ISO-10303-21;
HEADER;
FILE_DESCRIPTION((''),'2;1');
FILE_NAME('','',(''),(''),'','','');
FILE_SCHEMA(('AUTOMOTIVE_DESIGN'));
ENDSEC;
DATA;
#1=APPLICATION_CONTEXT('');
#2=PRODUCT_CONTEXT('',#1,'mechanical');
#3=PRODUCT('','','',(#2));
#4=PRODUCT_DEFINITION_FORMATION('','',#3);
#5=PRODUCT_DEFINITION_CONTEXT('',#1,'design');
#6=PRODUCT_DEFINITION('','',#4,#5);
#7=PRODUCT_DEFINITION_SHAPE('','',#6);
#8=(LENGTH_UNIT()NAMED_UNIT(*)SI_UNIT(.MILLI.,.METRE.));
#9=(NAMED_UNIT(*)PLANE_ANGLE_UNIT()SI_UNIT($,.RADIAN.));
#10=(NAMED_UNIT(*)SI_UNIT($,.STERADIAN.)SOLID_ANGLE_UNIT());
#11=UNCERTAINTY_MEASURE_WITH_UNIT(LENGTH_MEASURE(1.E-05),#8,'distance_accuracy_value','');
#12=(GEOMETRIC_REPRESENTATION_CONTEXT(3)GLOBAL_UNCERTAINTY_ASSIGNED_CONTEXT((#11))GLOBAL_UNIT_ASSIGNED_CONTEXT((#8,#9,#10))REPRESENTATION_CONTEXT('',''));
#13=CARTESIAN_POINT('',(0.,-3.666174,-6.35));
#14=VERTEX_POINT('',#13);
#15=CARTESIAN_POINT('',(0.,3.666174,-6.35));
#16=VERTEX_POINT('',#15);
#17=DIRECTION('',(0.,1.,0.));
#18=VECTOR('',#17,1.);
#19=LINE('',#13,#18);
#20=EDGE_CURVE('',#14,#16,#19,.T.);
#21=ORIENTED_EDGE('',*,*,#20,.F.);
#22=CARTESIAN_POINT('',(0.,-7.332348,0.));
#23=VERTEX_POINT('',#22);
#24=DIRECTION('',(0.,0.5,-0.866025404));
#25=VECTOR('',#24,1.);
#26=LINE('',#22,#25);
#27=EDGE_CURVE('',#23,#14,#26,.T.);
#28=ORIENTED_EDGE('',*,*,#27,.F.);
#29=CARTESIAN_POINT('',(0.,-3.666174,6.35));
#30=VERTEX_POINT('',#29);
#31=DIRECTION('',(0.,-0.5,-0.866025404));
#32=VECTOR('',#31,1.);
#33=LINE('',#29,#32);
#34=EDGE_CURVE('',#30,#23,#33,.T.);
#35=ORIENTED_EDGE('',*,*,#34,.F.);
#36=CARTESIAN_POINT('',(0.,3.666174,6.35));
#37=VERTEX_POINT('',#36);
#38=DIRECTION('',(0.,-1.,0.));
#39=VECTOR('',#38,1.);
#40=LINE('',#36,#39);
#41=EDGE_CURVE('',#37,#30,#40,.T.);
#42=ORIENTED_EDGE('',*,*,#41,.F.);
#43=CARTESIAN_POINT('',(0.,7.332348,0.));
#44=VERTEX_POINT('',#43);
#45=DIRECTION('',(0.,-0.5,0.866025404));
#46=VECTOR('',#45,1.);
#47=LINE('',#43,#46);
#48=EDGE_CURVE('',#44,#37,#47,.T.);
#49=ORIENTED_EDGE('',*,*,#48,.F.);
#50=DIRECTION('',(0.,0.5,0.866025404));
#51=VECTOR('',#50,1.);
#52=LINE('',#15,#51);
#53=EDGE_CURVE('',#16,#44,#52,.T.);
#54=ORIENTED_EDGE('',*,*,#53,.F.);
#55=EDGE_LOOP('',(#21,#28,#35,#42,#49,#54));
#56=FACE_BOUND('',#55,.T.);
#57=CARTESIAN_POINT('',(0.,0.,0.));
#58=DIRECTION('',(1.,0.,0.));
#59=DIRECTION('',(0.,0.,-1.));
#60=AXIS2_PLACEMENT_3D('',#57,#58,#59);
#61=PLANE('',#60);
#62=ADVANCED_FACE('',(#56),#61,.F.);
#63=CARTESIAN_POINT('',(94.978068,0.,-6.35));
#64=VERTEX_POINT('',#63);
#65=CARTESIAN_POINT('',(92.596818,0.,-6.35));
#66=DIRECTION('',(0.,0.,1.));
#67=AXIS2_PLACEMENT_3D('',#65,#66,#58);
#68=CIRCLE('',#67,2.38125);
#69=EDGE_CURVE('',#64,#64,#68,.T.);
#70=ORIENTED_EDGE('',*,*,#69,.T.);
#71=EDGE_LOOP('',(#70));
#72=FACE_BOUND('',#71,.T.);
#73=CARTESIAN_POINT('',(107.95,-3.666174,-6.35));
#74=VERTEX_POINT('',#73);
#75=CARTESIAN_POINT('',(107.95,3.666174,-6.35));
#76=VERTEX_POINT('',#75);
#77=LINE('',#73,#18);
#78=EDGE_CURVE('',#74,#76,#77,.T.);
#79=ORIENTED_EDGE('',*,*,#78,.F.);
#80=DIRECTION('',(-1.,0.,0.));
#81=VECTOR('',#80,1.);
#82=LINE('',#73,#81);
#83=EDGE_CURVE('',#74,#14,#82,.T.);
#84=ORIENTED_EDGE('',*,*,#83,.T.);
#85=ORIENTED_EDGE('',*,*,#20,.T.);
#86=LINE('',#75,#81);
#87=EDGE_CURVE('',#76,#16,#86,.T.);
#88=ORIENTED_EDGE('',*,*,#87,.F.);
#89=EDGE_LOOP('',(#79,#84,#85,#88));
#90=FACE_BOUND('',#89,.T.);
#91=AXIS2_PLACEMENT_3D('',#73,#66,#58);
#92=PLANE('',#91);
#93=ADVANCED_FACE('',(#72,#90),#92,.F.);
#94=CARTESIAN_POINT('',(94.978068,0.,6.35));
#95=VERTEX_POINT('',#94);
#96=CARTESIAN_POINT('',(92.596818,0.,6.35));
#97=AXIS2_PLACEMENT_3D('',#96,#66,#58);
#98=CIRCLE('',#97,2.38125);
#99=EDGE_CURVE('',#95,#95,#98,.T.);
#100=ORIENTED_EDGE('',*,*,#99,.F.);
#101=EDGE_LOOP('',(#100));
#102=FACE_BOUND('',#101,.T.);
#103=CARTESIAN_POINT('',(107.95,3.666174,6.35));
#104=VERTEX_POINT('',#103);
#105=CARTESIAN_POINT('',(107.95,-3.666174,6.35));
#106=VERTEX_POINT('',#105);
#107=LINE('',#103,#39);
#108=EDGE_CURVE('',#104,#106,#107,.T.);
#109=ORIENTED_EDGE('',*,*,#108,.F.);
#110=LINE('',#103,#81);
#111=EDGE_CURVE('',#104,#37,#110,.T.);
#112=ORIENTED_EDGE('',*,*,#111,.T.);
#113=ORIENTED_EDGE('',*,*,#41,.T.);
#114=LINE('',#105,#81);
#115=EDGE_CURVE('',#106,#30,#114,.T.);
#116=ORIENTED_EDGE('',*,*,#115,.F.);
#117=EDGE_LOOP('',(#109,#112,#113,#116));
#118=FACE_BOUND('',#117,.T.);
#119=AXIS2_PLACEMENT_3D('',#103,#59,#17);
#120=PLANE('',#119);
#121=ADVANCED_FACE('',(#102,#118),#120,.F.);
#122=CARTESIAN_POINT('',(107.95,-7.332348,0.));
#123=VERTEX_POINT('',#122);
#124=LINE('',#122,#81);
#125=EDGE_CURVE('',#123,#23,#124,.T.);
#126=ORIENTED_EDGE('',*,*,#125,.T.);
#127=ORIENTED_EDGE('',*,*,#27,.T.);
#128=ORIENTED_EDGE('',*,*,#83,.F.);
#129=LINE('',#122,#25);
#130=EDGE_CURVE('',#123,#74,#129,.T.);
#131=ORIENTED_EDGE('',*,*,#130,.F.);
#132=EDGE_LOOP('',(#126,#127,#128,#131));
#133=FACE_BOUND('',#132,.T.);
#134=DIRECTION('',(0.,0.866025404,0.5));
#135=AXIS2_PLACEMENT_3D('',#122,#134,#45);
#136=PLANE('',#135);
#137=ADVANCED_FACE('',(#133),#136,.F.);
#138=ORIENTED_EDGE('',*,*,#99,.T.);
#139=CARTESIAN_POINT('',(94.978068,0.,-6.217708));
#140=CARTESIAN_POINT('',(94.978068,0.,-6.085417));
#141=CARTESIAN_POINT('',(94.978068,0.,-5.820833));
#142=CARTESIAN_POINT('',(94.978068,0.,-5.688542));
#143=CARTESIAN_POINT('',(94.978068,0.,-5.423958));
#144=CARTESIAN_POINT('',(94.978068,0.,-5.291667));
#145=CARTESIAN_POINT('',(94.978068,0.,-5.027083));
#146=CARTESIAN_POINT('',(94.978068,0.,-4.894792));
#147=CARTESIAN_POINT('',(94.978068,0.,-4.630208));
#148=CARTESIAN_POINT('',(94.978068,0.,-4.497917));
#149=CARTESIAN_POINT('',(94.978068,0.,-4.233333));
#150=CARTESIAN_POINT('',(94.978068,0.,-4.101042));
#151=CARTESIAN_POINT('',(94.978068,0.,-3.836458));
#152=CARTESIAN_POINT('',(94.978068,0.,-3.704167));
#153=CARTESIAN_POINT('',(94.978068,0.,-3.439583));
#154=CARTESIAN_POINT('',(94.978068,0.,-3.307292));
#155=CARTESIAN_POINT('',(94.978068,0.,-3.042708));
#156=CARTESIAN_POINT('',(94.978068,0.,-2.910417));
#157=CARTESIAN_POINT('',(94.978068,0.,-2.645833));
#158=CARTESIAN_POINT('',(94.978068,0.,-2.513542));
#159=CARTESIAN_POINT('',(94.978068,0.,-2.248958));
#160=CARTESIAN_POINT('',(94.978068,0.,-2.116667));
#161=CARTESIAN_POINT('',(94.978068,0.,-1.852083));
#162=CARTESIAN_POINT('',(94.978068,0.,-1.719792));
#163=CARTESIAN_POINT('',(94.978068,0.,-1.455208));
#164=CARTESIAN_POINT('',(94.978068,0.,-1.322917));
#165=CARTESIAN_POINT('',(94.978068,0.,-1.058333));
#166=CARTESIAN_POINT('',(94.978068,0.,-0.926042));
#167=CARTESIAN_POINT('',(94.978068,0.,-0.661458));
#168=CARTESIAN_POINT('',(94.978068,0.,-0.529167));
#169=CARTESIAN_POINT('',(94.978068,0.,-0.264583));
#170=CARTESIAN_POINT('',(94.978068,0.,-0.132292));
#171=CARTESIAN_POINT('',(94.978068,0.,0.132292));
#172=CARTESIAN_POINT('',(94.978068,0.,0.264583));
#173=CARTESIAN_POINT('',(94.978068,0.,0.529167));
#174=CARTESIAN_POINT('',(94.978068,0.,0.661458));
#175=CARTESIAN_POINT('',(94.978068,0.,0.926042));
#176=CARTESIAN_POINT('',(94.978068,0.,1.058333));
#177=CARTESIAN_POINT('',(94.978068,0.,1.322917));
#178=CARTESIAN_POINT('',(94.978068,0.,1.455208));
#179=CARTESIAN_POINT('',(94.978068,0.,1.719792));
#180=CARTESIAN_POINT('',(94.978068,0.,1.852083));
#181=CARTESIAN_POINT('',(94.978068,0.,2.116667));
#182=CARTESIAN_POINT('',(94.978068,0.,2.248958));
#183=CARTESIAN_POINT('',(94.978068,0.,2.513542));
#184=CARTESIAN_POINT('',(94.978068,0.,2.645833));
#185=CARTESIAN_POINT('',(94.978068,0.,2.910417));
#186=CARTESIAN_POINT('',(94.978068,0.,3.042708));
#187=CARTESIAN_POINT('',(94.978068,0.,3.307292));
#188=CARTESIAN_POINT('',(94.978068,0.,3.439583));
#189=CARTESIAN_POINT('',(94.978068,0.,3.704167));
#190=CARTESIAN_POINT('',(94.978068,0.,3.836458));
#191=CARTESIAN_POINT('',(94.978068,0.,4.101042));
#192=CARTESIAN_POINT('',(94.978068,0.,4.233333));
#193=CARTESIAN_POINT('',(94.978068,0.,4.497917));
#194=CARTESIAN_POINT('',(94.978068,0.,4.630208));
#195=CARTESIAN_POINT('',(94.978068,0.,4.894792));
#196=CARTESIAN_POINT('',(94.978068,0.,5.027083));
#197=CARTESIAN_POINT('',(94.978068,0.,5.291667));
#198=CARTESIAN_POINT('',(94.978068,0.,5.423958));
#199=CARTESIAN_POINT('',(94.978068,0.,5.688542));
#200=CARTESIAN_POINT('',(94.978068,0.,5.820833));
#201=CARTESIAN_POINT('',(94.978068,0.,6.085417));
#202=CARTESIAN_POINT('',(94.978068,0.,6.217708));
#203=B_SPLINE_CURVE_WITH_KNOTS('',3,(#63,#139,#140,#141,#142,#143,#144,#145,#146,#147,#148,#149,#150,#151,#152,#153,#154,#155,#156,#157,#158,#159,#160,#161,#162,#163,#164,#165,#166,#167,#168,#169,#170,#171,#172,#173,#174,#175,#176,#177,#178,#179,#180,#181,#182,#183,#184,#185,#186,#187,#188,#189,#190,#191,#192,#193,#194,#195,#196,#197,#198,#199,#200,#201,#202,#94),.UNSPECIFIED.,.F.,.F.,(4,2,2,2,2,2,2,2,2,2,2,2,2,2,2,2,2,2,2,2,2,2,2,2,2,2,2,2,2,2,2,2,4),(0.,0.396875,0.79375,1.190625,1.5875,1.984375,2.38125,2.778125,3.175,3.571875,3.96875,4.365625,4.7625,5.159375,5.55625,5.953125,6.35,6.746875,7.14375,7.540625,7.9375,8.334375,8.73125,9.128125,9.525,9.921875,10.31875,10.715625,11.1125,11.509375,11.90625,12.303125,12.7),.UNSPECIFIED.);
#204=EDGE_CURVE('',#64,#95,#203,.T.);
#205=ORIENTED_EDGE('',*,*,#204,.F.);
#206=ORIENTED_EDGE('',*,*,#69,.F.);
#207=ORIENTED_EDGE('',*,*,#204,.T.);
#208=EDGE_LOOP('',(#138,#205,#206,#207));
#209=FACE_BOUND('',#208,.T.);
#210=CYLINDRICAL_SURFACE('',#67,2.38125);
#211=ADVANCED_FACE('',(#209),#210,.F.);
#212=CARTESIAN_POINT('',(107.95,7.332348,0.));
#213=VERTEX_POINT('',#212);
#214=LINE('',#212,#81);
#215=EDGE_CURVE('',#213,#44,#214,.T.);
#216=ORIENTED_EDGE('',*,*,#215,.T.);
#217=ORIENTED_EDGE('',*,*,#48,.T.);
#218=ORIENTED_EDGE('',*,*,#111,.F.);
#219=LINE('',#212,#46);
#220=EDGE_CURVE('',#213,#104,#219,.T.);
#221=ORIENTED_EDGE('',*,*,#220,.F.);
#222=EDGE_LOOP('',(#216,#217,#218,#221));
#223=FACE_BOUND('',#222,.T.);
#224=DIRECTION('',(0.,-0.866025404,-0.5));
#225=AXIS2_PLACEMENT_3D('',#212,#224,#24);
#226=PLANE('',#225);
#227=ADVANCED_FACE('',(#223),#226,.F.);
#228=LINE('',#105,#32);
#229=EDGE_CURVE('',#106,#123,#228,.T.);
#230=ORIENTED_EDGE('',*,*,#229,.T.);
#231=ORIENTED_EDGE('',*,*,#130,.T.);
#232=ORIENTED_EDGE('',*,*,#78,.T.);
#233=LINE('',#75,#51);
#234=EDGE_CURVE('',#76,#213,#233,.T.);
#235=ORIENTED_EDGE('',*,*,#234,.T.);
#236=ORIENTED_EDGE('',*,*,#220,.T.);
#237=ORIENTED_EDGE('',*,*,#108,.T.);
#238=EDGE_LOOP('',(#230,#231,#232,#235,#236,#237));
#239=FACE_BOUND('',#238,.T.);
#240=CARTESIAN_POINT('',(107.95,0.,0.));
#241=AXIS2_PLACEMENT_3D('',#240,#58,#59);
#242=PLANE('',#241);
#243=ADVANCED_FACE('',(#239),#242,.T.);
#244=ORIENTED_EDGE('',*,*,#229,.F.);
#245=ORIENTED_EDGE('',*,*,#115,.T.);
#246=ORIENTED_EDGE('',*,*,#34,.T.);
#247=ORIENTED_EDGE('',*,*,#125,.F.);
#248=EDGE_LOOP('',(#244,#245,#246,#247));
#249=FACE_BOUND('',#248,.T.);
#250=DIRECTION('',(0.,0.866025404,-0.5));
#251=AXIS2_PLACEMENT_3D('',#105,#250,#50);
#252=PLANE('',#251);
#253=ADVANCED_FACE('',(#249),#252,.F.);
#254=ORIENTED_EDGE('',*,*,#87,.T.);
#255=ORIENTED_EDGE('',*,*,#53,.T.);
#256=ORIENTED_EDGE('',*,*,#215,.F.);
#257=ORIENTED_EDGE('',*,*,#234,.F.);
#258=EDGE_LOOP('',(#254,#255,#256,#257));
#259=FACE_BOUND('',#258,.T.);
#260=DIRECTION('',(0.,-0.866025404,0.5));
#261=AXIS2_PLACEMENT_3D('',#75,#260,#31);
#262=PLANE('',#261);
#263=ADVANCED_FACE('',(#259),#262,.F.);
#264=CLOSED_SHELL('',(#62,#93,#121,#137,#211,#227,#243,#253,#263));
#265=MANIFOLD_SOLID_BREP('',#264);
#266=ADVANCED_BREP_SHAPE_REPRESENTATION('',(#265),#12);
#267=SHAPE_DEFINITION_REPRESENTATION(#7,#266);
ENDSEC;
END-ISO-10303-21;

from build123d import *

# Parameters (mm, degrees)
BOSS_EXTRUDE1_DEPTH = 107.95
SKETCH2_R           = 2.38125
CUT_EXTRUDE1_DEPTH  = 109.941524835


with BuildPart() as part:
    # Sketch1 → Boss-Extrude1 (new body)
    with BuildSketch(Plane(origin=(0, 0, 0), x_dir=(0, 0, -1), z_dir=(1, 0, 0))):
        Polygon((6.35, -3.666174209), (6.35, 3.666174209), (0, 7.332348419), (-6.35, 3.666174209), (-6.35, -3.666174209), (0, -7.332348419), align=None)
    extrude(amount=BOSS_EXTRUDE1_DEPTH)

    # Sketch2 → Cut-Extrude1 (cut, through all)
    with BuildSketch(Plane.XY.offset(6.35)):
        with Locations((92.5968176, 0)):
            Circle(SKETCH2_R)
    extrude(amount=-CUT_EXTRUDE1_DEPTH, mode=Mode.SUBTRACT)


solid = part.part
